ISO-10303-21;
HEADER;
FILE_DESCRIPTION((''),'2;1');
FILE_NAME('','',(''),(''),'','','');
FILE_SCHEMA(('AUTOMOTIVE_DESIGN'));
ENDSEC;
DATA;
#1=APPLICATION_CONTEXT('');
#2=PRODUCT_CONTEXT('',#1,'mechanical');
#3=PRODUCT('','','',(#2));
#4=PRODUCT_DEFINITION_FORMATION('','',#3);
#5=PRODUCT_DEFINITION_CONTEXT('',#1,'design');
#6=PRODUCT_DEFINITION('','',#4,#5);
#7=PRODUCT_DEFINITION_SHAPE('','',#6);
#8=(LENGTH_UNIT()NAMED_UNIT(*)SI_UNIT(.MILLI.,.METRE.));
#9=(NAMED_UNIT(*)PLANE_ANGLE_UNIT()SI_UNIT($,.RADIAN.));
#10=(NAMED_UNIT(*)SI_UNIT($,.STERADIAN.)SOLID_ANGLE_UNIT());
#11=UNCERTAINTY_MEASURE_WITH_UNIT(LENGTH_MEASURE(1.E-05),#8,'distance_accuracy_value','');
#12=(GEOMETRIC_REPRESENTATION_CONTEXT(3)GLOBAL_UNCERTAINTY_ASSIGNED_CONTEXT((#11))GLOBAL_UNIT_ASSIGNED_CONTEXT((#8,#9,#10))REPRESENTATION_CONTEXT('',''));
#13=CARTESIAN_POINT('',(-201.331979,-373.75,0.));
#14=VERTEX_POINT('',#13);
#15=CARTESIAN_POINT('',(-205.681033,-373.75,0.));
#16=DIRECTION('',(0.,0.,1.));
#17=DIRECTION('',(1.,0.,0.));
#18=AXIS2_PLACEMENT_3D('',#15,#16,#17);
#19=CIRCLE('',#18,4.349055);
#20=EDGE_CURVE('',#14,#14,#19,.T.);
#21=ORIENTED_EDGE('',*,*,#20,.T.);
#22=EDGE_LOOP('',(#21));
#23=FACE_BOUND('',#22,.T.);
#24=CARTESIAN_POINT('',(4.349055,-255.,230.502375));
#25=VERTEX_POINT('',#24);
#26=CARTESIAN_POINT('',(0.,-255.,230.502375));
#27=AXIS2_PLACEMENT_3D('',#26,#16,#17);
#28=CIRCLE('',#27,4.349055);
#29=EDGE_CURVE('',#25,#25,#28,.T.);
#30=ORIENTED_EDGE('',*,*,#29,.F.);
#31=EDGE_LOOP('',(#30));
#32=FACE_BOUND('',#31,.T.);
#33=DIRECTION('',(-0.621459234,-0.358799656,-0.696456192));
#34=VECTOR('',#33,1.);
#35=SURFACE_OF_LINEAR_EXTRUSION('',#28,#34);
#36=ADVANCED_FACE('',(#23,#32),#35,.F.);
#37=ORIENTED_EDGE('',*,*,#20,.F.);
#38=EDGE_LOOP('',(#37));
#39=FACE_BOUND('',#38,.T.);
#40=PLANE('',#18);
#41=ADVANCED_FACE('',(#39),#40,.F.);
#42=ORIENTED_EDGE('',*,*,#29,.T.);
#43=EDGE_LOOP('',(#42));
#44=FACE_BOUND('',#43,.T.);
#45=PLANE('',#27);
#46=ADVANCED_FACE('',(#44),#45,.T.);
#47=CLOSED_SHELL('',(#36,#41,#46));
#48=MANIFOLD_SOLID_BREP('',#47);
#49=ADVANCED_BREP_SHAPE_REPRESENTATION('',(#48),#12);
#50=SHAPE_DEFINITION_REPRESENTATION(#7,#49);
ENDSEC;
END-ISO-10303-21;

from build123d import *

# Parameters (mm, degrees)
SKETCH3_R = 4.349054689


with BuildPart() as part:
    # Sweep1: sweep along a path in Sketch2
    with BuildLine(Plane(origin=(110.418238983, -191.25, 0), x_dir=(0.866025404, 0.5, 0), z_dir=(-0.5, 0.866025404, 0))) as sweep1_path:
        Line((-127.5, -230.502374751), (-365, 0))
    # Sketch3 → Sweep1 (sweep)
    with BuildSketch(Plane.XY):
        with Locations((-205.681033399, -373.75)):
            Circle(SKETCH3_R)
    sweep(path=sweep1_path.line)


solid = part.part
